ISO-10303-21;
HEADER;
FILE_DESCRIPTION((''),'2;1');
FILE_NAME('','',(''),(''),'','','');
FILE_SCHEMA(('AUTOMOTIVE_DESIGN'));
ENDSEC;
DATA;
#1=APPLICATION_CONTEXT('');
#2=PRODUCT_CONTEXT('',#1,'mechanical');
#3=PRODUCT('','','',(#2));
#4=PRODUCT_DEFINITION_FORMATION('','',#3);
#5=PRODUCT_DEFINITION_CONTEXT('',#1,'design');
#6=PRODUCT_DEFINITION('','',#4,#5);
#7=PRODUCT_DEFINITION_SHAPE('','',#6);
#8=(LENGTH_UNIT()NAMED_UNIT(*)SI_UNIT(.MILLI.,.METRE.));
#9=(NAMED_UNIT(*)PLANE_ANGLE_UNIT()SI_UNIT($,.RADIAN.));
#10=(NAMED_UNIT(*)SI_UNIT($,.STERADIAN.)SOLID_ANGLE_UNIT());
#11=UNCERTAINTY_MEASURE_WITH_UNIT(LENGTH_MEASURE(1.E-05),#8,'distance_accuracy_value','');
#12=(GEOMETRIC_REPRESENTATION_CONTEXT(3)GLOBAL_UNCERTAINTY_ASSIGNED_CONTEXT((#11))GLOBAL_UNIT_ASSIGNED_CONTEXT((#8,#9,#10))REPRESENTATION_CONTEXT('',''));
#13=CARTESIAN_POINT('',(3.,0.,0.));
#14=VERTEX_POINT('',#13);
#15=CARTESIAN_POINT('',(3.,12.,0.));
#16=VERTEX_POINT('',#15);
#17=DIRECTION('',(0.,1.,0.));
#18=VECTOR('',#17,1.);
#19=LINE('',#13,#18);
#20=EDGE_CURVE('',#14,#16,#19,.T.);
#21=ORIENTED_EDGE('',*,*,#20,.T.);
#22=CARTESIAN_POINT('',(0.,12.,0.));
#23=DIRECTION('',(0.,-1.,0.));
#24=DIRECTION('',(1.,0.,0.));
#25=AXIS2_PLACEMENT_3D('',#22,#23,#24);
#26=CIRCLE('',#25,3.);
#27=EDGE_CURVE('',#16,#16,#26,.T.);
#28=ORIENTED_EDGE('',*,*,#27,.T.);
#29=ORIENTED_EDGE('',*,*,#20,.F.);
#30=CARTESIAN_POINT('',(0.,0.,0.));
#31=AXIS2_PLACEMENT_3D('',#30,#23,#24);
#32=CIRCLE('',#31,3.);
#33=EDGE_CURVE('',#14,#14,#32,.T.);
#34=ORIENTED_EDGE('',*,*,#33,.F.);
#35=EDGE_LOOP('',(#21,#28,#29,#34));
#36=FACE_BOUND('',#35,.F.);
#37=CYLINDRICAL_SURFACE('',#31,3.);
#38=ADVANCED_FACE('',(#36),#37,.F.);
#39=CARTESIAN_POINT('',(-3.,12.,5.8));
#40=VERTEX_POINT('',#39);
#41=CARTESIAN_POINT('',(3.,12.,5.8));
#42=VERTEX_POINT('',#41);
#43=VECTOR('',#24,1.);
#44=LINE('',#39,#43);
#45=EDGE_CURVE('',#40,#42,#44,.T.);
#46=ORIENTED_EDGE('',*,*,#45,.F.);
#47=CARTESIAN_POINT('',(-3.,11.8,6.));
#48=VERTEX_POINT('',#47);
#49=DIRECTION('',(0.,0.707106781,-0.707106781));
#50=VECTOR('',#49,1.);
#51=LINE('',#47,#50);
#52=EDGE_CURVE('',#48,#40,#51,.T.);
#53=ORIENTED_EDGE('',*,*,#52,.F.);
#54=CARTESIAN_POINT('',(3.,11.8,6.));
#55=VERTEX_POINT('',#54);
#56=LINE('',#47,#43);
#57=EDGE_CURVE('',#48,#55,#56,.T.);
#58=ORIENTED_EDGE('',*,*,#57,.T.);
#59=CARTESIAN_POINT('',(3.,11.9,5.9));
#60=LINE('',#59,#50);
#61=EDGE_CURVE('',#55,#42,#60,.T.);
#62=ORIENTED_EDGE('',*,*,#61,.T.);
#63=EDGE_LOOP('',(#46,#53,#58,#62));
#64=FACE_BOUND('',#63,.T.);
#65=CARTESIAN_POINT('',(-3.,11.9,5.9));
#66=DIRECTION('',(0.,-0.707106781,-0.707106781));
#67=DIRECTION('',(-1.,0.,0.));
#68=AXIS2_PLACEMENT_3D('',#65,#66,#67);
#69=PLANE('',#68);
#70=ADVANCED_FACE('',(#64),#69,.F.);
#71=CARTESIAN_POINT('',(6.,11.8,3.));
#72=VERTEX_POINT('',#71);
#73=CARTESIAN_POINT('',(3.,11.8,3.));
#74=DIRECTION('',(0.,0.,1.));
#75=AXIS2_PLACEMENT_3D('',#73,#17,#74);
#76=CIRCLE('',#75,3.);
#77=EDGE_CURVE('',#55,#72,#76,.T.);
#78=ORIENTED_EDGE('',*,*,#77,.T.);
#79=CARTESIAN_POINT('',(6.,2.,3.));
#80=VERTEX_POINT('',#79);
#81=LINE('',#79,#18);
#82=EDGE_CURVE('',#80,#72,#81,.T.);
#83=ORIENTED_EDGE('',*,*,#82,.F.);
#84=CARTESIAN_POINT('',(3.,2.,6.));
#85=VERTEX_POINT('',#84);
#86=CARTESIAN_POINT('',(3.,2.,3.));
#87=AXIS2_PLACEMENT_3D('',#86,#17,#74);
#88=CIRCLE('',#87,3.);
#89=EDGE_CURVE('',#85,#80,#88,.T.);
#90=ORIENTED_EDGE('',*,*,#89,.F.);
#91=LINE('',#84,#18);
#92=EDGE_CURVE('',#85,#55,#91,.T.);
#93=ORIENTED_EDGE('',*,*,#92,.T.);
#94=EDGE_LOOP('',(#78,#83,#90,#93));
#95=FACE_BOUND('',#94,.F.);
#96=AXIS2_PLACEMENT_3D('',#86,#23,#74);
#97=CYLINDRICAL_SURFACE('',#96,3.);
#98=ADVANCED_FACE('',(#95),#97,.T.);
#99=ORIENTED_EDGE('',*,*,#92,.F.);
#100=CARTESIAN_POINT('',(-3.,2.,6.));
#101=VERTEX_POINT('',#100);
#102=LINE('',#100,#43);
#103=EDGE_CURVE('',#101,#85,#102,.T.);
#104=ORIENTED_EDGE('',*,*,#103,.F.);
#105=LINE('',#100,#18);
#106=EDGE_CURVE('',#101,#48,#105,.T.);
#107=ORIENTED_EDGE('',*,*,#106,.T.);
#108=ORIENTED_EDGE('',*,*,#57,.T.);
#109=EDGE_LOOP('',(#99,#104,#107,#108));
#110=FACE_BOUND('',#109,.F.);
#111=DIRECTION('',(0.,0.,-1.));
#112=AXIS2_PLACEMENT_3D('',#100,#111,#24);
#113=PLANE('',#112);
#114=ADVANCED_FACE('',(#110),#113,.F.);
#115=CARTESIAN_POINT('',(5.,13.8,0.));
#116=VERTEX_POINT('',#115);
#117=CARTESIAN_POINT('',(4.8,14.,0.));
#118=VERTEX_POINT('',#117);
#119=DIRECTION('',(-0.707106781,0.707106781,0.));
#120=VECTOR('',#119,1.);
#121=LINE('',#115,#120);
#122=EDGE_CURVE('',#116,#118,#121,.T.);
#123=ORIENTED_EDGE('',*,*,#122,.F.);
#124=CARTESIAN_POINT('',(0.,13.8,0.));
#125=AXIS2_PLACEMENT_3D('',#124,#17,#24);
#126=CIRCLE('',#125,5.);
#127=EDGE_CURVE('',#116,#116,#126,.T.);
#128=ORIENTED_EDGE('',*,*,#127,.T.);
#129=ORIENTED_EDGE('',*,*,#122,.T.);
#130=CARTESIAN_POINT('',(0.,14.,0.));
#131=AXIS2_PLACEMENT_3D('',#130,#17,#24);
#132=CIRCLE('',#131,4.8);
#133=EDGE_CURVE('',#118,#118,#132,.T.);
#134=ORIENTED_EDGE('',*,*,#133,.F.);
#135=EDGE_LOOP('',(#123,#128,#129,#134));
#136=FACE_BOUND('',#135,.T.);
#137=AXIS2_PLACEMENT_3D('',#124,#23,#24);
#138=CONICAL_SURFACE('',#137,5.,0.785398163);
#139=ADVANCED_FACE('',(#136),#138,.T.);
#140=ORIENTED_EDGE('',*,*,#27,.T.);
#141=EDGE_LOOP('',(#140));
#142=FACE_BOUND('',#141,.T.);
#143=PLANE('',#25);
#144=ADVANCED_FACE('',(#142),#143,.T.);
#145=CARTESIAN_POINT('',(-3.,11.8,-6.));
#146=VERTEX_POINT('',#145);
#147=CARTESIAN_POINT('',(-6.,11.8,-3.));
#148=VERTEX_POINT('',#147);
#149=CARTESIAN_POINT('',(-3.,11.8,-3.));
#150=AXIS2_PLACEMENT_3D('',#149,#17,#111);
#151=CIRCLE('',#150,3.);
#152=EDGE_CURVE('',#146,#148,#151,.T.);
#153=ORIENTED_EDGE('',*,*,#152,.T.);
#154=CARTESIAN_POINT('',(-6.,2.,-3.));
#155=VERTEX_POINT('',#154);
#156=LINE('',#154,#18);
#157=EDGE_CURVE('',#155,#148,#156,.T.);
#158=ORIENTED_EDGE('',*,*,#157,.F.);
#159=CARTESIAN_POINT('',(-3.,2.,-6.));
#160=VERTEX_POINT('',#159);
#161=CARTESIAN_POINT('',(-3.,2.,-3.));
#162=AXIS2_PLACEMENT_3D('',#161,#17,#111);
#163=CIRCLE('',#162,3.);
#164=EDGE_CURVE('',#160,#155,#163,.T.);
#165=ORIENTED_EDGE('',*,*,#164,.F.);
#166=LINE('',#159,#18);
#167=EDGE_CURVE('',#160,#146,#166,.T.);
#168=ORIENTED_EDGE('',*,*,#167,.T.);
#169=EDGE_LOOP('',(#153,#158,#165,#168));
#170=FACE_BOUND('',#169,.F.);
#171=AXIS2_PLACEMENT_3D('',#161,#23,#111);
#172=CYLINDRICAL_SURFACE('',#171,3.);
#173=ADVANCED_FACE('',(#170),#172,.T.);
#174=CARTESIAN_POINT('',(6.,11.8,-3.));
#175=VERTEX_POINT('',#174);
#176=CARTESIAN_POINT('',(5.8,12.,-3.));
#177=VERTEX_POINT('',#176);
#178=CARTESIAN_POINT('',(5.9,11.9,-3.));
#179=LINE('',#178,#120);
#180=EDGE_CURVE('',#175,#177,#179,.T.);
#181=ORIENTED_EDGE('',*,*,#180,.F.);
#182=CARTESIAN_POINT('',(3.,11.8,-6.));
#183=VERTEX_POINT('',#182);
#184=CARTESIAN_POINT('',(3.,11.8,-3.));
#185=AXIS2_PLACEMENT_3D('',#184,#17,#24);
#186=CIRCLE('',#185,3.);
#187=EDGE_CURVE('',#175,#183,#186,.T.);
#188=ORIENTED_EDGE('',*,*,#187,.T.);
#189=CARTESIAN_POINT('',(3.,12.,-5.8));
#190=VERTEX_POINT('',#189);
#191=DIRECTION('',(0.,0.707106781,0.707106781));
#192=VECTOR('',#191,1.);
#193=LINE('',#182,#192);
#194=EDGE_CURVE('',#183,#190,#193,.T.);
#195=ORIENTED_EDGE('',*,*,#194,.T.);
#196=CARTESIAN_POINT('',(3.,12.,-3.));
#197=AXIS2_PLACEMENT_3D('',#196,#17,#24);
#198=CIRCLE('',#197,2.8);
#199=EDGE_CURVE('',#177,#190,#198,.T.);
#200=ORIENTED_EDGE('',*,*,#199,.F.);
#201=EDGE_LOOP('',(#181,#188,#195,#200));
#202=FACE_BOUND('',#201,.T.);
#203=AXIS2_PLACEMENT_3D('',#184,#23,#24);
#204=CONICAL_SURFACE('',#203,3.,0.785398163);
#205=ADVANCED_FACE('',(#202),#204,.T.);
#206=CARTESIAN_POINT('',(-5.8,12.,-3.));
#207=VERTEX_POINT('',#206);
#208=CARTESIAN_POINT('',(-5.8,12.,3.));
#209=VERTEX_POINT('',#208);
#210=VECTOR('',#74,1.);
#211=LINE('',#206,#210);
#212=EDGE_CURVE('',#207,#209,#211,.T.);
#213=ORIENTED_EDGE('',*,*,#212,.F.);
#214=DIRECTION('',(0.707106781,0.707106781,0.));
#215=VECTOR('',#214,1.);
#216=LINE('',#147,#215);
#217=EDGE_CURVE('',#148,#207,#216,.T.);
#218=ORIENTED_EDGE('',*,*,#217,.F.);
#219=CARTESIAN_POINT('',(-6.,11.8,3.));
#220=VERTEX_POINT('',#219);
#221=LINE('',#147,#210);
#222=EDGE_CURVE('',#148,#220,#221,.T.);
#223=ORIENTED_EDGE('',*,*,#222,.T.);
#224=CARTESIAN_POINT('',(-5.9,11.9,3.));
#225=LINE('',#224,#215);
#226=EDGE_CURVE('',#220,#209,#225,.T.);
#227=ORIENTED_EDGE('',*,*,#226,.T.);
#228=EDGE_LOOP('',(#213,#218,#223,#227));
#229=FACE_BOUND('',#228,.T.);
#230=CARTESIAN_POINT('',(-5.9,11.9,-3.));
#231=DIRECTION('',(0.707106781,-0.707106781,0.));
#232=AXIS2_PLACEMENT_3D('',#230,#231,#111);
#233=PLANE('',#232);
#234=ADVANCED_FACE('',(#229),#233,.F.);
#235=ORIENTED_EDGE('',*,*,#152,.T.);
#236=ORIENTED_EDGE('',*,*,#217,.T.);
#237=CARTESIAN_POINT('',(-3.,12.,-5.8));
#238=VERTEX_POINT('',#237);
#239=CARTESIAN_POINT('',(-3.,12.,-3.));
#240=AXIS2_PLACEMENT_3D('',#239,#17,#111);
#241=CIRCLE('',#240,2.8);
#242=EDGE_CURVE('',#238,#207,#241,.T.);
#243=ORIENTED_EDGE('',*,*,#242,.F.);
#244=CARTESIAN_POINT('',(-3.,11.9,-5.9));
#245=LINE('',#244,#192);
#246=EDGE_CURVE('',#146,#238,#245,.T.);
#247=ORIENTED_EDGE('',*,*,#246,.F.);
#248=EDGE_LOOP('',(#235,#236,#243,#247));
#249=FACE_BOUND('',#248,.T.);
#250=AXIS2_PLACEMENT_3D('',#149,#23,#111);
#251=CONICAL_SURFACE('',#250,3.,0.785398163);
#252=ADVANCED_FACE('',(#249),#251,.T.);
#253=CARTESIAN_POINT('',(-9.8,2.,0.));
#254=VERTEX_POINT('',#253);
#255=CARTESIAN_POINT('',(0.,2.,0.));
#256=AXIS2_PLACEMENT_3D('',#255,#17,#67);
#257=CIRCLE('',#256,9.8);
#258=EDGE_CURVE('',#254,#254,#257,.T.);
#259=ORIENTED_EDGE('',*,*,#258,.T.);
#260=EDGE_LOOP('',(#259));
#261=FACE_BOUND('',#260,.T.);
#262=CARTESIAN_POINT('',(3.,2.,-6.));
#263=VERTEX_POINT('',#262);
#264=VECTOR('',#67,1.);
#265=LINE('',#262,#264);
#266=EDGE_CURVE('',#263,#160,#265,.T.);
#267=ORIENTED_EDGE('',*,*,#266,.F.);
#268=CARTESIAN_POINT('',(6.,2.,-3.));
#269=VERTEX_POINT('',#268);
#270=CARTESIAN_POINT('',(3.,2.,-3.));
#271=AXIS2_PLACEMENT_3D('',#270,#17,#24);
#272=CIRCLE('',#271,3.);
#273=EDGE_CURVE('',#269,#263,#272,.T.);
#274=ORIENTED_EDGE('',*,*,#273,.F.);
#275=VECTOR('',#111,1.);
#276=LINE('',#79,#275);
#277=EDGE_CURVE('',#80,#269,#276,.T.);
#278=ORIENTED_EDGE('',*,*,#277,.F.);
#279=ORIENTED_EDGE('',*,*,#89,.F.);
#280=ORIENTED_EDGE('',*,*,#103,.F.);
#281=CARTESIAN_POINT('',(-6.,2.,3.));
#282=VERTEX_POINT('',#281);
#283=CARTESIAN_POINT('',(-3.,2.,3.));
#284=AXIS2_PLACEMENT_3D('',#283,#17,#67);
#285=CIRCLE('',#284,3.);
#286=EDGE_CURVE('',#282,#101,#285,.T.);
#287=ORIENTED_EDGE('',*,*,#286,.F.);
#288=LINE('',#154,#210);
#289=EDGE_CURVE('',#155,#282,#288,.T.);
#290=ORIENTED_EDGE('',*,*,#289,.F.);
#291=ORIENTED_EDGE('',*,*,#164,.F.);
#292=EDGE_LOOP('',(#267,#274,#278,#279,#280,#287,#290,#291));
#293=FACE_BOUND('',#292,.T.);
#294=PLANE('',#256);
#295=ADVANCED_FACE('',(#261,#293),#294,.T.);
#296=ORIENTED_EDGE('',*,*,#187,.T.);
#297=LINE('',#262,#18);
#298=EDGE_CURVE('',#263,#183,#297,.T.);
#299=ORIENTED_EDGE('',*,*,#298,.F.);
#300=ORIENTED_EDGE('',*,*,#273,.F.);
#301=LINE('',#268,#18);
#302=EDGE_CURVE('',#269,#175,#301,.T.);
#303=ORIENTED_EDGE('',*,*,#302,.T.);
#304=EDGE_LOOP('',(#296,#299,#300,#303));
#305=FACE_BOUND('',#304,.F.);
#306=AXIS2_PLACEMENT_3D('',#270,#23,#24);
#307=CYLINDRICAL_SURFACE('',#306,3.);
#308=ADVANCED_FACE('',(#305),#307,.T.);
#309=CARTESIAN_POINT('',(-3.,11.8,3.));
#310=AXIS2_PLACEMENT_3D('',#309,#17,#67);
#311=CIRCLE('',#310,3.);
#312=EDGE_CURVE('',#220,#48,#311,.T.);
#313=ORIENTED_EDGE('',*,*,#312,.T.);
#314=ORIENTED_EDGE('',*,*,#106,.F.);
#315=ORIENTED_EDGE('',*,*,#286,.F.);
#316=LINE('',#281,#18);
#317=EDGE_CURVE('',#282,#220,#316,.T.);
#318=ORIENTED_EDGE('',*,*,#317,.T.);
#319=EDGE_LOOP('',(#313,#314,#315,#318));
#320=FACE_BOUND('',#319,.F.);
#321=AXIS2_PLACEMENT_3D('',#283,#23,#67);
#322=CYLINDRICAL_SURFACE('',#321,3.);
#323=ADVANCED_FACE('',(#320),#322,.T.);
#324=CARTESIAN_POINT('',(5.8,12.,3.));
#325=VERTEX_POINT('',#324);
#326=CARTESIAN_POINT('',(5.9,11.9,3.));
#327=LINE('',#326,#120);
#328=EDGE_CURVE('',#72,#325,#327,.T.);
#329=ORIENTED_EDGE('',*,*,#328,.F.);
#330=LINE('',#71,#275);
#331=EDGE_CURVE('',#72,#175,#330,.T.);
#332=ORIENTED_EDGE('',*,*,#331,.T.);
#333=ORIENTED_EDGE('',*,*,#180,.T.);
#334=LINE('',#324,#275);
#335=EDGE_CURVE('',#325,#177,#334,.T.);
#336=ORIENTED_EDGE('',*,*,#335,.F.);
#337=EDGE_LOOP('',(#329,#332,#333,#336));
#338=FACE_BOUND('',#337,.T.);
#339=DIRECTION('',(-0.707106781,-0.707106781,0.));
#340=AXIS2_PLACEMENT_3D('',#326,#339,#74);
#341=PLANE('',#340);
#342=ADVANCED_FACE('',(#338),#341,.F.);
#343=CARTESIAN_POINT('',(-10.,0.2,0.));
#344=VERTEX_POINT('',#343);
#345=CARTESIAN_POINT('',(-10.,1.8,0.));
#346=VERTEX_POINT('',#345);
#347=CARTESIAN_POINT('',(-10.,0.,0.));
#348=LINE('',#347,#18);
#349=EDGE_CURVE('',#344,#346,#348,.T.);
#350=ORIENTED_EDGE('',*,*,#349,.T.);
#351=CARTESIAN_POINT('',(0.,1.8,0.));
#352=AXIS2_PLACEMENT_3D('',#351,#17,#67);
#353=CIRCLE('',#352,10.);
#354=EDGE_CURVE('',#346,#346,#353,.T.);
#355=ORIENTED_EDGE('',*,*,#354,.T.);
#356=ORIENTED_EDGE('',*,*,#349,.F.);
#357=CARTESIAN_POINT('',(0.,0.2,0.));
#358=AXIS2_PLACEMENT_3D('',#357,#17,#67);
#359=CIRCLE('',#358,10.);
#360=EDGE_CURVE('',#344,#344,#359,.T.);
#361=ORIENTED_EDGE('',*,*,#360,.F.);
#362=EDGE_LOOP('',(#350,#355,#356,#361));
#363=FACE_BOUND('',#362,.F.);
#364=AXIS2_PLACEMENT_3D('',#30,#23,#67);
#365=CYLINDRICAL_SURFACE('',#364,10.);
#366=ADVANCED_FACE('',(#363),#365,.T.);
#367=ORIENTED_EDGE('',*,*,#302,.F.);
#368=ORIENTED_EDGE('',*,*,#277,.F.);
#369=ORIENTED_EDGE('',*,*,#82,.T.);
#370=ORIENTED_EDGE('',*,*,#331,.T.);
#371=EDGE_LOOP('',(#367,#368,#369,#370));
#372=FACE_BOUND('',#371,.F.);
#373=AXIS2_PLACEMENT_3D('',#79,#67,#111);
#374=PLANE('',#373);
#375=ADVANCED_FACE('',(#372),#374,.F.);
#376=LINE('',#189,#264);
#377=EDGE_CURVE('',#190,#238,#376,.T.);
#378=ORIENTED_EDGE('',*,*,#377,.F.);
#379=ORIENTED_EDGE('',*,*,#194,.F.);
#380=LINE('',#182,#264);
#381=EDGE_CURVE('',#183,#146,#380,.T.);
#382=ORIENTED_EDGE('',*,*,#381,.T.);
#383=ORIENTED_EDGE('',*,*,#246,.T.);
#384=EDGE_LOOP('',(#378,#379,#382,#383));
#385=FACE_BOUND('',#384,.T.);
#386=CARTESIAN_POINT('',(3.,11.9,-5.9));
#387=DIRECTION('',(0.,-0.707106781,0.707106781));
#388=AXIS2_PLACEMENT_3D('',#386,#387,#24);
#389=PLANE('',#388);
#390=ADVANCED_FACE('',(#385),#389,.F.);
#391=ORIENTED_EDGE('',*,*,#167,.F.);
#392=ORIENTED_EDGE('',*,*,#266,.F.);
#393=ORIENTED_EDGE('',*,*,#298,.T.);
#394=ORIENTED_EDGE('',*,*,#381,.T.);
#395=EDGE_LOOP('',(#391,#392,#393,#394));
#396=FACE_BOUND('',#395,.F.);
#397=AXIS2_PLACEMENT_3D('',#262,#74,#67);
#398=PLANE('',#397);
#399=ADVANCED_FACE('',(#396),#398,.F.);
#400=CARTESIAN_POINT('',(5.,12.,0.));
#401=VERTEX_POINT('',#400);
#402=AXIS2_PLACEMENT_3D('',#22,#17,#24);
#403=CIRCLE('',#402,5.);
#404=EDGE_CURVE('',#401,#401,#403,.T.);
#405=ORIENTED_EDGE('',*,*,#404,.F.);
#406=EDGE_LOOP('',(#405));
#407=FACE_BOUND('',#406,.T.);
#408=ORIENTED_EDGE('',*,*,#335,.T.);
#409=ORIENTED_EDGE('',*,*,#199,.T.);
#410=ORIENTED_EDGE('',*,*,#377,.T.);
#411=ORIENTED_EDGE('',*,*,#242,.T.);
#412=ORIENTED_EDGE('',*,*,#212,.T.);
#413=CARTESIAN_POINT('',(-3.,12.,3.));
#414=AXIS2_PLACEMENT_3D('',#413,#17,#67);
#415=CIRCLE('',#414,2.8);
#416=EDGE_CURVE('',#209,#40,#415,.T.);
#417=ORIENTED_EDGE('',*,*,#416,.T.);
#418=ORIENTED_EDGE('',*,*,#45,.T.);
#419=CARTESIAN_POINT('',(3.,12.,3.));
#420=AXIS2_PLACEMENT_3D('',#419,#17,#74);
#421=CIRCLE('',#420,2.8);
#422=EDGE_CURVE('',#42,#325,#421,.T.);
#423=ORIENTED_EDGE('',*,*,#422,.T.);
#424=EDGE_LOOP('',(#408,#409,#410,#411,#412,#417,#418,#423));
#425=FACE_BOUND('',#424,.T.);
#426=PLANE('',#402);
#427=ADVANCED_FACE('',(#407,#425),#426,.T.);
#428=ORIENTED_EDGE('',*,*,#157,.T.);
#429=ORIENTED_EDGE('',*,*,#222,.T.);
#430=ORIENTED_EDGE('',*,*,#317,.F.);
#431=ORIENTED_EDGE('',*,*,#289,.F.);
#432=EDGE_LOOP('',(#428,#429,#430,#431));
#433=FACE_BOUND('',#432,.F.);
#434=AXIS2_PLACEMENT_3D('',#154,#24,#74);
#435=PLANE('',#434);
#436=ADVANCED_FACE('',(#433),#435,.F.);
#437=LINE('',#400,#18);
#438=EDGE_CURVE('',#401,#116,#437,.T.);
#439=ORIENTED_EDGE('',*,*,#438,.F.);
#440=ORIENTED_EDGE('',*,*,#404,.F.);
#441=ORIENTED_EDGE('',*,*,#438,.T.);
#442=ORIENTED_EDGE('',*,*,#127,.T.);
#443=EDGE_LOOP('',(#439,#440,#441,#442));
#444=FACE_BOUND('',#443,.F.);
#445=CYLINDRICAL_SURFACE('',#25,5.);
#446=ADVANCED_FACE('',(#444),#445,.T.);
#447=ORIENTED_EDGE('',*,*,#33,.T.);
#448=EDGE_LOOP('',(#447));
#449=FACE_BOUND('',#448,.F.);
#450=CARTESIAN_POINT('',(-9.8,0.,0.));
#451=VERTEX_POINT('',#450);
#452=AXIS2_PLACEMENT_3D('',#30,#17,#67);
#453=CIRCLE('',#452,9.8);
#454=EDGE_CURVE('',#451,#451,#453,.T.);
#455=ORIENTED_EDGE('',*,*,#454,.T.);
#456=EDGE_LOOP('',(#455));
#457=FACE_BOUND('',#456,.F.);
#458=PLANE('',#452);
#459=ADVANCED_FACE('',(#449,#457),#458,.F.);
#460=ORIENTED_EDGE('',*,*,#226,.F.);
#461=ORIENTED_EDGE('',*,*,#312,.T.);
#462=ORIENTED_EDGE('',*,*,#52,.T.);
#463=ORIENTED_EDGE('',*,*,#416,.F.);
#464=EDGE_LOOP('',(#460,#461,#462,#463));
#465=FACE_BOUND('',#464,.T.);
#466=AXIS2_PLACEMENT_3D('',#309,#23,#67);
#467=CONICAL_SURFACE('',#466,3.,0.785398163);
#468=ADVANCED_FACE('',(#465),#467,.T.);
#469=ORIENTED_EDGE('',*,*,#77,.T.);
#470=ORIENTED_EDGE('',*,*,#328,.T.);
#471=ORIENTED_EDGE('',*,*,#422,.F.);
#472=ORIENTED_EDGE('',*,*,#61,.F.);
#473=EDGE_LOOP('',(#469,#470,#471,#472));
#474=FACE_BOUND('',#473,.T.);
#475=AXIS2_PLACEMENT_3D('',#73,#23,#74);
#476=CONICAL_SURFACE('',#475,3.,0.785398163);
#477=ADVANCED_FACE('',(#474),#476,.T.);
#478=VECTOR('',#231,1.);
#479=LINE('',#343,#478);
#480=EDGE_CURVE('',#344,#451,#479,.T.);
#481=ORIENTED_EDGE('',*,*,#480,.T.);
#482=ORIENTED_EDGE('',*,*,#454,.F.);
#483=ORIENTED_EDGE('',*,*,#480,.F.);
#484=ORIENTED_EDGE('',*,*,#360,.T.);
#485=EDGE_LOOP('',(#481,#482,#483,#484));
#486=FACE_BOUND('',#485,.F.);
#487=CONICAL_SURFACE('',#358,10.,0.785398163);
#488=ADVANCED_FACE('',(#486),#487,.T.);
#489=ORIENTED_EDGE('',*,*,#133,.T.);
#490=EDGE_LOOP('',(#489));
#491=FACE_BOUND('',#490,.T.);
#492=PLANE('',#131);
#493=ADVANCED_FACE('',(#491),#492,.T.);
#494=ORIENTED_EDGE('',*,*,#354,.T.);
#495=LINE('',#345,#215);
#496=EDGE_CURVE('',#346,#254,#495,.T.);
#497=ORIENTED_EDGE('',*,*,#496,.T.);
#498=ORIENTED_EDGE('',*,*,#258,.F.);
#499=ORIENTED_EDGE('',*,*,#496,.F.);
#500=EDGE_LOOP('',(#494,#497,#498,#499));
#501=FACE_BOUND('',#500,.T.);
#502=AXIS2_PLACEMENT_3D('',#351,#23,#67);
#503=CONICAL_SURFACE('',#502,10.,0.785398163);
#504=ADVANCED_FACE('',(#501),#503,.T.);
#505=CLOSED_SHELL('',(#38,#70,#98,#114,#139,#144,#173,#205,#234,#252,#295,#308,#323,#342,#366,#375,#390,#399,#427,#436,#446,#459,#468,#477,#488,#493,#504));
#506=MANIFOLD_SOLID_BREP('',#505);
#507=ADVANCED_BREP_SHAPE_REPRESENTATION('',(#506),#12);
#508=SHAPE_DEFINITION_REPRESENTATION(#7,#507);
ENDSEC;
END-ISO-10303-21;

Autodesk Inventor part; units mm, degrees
ref_plane "YZ Plane" through (0, 0, 0) normal (1, 0, 0) x (0, 1, 0)
ref_plane "XZ Plane" through (0, 0, 0) normal (0, 1, 0) x (-1, 0, 0)
ref_plane "XY Plane" through (0, 0, 0) normal (0, 0, 1) x (1, 0, 0)
sketch "Boceto1" plane through (0, 0, 0) normal (0, 1, 0) x (-1, 0, 0)
  circle A0 centre (0, 0) radius 10
  dimension "d0" = 20
extrude "Extrusión1" add sketch "Boceto1" along normal blind 2
sketch "Boceto2" plane through (0, 2, 0) normal (0, 1, 0) x (1, 0, 0)
  line L0 (-3, -6) -> (3, -6)
  line L1 (6, -3) -> (6, 3)
  line L2 (3, 6) -> (-3, 6)
  line L3 (-6, 3) -> (-6, -3)
  arc A0 (-3, 6) -> (-6, 3) centre (-3, 3) ccw
  arc A1 (-6, -3) -> (-3, -6) centre (-3, -3) ccw
  arc A2 (3, -6) -> (6, -3) centre (3, -3) ccw
  arc A3 (6, 3) -> (3, 6) centre (3, 3) ccw
  point P0 (0, 0)
  point P1 (-6, -6)
  point P2 (6, 6)
  point P3 (-6, 6)
  point P4 (0, 6)
  point P5 (-6, 0)
  dimension "d3" = 12
  dimension "d4" = 12
  dimension "d5" = 3
extrude "Extrusión2" add sketch "Boceto2" along normal blind 10
sketch "Boceto3" plane through (0, 12, 0) normal (0, 1, 0) x (1, 0, 0)
  circle A0 centre (0, 0) radius 5
  dimension "d8" = 10
extrude "Extrusión3" add sketch "Boceto3" along normal blind 2
sketch "Boceto4" plane through (0, 0, 0) normal (0, -1, 0) x (1, 0, 0)
  circle A0 centre (0, 0) radius 3
  dimension "d11" = 6
extrude "Extrusión4" cut sketch "Boceto4" against normal blind 12
chamfer "Chaflán1" distance 0.2 angle 45 11 edges at (-5, 14, 0) (6, 12, 0) (5.1213, 12, -5.1213) (0, 12, -6) (-5.1213, 12, -5.1213) (-6, 12, 0) (-5.1213, 12, 5.1213) (0, 12, 6) (5.1213, 12, 5.1213) (10, 2, 0) (10, 0, 0)
properties part number "Front_bush"
